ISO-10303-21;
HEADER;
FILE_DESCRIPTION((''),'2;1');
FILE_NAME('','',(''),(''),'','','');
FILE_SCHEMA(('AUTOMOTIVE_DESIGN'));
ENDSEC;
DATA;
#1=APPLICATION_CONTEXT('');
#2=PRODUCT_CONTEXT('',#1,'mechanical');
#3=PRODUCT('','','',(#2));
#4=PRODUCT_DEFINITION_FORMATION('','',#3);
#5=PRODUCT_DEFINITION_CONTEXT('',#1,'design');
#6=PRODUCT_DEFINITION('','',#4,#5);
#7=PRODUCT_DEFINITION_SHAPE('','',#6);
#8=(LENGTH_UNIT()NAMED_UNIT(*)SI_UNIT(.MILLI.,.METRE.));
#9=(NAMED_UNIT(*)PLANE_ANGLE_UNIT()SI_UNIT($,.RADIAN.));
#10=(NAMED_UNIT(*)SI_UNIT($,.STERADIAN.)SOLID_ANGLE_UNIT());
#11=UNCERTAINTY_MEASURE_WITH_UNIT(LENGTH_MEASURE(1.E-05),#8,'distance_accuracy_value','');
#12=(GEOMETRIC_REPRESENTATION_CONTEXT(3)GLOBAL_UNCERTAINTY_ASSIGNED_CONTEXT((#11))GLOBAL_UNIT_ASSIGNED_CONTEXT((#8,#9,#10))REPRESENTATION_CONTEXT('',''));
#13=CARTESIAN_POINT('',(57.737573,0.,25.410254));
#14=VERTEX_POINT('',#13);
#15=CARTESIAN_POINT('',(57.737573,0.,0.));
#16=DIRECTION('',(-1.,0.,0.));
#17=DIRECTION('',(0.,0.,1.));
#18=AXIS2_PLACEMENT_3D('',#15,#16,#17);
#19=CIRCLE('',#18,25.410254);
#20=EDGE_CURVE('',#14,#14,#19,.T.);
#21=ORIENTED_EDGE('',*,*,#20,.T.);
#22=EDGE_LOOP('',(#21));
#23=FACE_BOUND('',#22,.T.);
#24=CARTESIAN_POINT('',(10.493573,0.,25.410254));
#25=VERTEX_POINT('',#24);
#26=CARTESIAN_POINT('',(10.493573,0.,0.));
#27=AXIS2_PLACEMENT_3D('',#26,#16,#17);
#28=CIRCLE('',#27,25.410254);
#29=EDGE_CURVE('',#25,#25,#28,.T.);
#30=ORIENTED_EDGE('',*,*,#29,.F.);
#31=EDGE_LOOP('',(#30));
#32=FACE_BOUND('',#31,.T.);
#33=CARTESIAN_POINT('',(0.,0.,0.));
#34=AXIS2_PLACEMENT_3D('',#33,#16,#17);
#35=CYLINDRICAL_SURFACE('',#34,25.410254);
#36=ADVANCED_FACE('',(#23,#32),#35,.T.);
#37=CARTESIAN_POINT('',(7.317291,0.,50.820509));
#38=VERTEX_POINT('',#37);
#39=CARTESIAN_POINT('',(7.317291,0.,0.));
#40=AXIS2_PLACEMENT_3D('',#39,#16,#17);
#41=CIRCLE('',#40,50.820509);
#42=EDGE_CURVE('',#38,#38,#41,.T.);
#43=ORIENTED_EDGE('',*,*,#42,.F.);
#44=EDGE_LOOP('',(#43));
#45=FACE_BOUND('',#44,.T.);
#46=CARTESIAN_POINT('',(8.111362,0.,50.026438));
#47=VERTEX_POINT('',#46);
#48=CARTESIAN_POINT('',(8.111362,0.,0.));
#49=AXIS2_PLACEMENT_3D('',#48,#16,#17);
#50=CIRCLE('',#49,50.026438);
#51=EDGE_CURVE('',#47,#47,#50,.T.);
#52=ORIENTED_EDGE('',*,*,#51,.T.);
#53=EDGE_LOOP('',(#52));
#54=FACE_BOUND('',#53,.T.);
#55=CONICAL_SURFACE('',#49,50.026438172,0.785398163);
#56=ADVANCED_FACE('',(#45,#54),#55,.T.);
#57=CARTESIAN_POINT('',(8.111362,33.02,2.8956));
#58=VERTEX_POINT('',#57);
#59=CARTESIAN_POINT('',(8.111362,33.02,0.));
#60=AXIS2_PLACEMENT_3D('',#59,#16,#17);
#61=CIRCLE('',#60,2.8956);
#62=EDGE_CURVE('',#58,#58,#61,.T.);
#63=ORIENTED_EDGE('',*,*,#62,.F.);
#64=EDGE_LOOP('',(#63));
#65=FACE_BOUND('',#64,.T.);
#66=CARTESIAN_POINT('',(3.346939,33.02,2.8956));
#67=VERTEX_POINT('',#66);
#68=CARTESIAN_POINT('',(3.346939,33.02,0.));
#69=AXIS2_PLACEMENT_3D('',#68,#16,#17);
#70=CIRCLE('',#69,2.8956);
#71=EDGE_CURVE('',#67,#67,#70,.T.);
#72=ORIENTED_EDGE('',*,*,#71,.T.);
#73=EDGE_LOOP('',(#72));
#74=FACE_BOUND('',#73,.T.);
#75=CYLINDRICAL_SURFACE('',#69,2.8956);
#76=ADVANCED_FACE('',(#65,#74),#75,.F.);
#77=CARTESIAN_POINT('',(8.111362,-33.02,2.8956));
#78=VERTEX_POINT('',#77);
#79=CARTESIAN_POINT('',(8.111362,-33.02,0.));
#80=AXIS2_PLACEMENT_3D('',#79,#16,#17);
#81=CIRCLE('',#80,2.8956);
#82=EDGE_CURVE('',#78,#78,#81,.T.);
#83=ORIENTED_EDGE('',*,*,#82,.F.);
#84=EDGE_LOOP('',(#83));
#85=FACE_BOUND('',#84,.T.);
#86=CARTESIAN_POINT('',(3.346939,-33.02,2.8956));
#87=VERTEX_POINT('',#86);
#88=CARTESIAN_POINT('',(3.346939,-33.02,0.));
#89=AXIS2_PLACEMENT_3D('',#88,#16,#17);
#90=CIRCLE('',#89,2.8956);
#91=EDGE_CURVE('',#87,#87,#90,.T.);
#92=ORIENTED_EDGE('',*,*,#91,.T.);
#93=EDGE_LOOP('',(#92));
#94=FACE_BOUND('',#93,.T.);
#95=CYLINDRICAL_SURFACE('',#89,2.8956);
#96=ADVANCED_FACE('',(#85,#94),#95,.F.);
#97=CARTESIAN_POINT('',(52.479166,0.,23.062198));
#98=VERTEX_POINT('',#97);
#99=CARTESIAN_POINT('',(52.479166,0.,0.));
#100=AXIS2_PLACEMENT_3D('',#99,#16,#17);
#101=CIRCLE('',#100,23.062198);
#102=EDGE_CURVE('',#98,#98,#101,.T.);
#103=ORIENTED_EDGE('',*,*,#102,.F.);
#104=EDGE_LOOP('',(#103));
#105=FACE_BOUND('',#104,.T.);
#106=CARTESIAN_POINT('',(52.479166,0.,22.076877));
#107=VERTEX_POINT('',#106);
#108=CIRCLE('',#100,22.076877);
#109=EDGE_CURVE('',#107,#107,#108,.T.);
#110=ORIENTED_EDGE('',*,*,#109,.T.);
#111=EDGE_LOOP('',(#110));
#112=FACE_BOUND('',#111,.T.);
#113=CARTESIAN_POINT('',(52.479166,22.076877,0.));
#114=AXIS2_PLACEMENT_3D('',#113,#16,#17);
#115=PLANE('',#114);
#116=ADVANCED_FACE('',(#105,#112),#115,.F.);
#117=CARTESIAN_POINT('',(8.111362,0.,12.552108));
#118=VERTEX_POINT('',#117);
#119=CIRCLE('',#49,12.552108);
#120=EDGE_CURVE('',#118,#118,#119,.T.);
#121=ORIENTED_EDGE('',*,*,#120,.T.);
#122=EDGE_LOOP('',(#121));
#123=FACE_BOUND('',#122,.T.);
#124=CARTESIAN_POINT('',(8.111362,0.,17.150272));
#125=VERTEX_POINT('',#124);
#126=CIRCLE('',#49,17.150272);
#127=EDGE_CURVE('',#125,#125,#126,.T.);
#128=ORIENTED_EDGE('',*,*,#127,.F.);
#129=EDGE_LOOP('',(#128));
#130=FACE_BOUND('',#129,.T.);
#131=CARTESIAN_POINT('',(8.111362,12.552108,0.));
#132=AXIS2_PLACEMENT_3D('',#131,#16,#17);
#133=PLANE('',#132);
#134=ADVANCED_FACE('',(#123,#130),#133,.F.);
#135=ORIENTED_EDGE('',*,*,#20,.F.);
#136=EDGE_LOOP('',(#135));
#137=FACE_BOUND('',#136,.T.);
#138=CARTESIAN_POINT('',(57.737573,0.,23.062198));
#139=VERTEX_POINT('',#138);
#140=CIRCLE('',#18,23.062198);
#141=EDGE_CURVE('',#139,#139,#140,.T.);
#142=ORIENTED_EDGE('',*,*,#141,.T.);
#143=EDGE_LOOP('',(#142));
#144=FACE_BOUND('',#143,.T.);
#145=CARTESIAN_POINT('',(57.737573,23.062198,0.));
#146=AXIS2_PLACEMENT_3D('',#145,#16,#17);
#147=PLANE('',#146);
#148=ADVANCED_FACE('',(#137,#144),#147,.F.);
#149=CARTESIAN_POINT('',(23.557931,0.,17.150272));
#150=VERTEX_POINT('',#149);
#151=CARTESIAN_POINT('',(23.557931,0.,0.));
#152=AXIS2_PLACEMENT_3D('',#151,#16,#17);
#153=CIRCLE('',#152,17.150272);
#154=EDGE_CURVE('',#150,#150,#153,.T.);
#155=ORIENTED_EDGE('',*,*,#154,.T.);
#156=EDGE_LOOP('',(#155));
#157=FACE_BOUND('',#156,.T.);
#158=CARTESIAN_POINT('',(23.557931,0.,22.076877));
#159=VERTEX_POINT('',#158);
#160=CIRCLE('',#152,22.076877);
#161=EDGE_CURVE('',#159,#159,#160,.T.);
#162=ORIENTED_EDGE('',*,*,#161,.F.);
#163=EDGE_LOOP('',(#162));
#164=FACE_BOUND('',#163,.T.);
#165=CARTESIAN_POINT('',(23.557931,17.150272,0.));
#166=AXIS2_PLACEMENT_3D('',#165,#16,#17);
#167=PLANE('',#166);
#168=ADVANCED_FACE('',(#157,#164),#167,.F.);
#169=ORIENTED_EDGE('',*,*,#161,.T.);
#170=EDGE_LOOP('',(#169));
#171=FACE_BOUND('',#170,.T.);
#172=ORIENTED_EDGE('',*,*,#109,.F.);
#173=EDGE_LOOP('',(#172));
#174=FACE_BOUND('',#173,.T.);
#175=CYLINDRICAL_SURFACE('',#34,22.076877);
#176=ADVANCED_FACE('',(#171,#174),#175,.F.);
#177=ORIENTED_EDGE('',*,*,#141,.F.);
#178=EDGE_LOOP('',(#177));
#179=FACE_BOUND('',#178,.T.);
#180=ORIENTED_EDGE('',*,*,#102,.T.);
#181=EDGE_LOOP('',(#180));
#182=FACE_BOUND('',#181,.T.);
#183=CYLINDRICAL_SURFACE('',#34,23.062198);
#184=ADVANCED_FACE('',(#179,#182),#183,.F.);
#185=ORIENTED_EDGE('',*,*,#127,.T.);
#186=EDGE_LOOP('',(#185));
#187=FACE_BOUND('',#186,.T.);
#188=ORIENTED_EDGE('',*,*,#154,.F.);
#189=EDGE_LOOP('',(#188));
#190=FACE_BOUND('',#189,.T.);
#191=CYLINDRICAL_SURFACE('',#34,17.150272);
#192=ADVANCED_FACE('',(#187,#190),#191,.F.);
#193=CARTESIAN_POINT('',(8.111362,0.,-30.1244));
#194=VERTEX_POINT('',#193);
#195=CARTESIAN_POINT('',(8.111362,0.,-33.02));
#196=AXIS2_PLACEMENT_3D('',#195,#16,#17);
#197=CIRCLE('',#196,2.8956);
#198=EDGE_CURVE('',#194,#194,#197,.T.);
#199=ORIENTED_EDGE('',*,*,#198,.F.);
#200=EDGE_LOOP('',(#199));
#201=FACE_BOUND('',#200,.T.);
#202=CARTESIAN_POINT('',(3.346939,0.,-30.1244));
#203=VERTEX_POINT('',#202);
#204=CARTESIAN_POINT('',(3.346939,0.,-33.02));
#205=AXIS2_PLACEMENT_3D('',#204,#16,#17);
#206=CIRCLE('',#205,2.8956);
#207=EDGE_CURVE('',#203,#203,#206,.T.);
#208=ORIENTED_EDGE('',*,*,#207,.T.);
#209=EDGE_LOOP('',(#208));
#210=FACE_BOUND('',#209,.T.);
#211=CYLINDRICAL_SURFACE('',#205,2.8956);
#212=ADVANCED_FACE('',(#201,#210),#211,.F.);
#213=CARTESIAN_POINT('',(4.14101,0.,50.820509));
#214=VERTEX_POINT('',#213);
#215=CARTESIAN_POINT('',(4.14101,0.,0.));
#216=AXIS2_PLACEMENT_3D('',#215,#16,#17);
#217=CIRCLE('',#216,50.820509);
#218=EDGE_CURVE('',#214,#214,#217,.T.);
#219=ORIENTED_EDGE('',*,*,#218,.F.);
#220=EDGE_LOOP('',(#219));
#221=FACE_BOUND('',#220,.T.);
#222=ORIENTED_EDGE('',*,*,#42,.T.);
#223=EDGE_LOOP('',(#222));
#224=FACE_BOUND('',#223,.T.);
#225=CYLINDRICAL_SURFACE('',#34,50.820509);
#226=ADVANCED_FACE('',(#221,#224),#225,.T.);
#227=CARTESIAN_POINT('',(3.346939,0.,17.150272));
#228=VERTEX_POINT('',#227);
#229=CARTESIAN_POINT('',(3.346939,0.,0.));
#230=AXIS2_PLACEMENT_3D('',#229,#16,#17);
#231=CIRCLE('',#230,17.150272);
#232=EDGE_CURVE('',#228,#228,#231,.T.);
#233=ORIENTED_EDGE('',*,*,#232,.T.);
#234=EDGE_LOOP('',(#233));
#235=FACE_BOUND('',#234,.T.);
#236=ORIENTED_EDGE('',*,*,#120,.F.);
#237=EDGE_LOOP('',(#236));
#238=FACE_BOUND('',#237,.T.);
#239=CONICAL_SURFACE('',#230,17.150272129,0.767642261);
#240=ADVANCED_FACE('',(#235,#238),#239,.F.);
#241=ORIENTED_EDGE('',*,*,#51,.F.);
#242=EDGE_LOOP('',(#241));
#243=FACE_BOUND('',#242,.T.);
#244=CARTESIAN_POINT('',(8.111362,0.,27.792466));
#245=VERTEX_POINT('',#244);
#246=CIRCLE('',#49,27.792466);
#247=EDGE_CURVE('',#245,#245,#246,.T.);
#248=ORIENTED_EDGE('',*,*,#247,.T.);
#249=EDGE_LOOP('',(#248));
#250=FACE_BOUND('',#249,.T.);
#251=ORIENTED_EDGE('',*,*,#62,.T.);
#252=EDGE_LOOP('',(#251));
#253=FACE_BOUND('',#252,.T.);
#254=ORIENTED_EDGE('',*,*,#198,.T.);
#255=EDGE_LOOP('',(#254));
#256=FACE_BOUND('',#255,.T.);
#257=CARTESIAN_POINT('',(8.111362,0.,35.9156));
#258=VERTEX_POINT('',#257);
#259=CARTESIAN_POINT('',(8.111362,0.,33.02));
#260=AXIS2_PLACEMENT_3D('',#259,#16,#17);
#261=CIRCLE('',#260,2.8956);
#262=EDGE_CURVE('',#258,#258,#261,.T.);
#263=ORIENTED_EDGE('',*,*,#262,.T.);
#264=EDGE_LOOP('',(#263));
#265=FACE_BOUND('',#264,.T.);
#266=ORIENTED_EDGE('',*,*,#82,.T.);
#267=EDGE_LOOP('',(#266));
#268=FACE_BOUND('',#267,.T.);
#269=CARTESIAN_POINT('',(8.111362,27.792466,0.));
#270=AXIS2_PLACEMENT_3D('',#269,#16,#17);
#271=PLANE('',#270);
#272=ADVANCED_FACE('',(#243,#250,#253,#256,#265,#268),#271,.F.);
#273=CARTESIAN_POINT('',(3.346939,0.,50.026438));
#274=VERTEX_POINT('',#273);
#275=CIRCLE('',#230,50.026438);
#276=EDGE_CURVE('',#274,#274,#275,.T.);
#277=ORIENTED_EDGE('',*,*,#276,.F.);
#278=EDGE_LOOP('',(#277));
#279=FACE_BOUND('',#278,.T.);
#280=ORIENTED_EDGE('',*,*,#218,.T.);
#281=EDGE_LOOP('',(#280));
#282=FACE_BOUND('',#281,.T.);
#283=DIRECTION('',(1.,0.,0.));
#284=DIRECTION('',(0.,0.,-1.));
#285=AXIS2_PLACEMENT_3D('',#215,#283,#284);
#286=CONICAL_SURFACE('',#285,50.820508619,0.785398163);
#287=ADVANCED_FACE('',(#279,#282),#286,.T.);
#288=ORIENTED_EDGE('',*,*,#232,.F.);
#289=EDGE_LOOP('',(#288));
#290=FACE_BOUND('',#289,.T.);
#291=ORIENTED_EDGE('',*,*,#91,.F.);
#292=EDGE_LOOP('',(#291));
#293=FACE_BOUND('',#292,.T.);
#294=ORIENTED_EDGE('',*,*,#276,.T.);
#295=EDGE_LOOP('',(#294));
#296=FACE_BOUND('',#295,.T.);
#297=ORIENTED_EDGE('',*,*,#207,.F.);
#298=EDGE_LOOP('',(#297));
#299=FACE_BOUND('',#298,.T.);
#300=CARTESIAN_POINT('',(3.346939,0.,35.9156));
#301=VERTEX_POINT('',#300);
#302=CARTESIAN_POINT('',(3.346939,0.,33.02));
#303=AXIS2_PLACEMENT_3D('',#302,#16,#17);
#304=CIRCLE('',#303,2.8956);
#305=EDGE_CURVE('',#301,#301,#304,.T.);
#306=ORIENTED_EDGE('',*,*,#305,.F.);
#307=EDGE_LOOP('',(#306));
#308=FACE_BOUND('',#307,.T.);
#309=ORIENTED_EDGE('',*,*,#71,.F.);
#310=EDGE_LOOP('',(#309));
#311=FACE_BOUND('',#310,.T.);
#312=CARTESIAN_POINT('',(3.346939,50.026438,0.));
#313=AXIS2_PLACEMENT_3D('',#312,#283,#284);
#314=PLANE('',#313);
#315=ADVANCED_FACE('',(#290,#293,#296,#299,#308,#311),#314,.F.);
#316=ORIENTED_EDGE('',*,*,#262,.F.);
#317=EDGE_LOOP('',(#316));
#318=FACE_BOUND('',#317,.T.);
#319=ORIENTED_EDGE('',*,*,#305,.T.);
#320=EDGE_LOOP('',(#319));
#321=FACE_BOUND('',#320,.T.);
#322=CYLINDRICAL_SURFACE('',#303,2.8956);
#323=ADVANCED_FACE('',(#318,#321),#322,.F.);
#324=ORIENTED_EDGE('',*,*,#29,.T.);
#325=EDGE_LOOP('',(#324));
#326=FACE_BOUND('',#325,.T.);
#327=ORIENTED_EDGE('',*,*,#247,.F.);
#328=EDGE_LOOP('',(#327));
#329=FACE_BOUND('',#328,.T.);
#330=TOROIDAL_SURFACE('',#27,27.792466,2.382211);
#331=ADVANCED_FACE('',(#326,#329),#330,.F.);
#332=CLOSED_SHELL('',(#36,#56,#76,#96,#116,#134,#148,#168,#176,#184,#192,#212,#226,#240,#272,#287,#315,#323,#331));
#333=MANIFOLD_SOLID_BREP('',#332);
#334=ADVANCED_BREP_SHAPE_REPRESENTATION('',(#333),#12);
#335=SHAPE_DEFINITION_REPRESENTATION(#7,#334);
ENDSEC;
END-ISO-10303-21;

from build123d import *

# Parameters (mm, degrees)
HOLE_WIZARD_12_1_D       = 5.7912
PATTERN_CIRCULAR_1_COUNT = 4


with BuildPart() as part:
    # Model → 旋转1 (revolve)
    with BuildSketch(Plane.XY):
        with BuildLine():
            Line((8.11136174, 12.552108092), (8.11136174, 17.150272129))
            Line((8.11136174, 17.150272129), (23.557930854, 17.150272129))
            Line((23.557930854, 17.150272129), (23.557930854, 22.076877203))
            Line((23.557930854, 22.076877203), (52.479166263, 22.076877203))
            Line((52.479166263, 22.076877203), (52.479166263, 23.062198021))
            Line((52.479166263, 23.062198021), (57.737573082, 23.062198021))
            Line((57.737573082, 23.062198021), (57.737573082, 25.410254309))
            Line((57.737573082, 25.410254309), (10.493573082, 25.410254309))
            ThreePointArc((10.493573082, 25.410254309), (8.809095288, 26.107987857), (8.11136174, 27.792465651))
            Line((8.11136174, 27.792465651), (8.11136174, 50.026438172))
            Line((8.11136174, 50.026438172), (7.317291293, 50.820508619))
            Line((7.317291293, 50.820508619), (4.141009504, 50.820508619))
            Line((4.141009504, 50.820508619), (3.346939057, 50.026438172))
            Line((3.346939057, 50.026438172), (3.346939057, 17.150272129))
            Line((3.346939057, 17.150272129), (8.11136174, 12.552108092))
        make_face()
    revolve(axis=Axis((0, 0, 0), (1, 0, 0)))

    # #12 间隙孔1 (through all)
    with Locations(Plane.ZY.offset(-3.346939057)):
        with Locations((0, 33.02)):
            hole_wizard_12_1 = Hole(HOLE_WIZARD_12_1_D / 2)

    # 阵列(圆周)1: #12 间隙孔1 ×4 about axis
    pattern_circular_1_axis = Axis((57.737573082, 0, 0), (-1, 0, 0))
    for i in range(1, PATTERN_CIRCULAR_1_COUNT):
        add(hole_wizard_12_1.rotate(pattern_circular_1_axis, i * 360 / PATTERN_CIRCULAR_1_COUNT), mode=Mode.SUBTRACT)


solid = part.part
